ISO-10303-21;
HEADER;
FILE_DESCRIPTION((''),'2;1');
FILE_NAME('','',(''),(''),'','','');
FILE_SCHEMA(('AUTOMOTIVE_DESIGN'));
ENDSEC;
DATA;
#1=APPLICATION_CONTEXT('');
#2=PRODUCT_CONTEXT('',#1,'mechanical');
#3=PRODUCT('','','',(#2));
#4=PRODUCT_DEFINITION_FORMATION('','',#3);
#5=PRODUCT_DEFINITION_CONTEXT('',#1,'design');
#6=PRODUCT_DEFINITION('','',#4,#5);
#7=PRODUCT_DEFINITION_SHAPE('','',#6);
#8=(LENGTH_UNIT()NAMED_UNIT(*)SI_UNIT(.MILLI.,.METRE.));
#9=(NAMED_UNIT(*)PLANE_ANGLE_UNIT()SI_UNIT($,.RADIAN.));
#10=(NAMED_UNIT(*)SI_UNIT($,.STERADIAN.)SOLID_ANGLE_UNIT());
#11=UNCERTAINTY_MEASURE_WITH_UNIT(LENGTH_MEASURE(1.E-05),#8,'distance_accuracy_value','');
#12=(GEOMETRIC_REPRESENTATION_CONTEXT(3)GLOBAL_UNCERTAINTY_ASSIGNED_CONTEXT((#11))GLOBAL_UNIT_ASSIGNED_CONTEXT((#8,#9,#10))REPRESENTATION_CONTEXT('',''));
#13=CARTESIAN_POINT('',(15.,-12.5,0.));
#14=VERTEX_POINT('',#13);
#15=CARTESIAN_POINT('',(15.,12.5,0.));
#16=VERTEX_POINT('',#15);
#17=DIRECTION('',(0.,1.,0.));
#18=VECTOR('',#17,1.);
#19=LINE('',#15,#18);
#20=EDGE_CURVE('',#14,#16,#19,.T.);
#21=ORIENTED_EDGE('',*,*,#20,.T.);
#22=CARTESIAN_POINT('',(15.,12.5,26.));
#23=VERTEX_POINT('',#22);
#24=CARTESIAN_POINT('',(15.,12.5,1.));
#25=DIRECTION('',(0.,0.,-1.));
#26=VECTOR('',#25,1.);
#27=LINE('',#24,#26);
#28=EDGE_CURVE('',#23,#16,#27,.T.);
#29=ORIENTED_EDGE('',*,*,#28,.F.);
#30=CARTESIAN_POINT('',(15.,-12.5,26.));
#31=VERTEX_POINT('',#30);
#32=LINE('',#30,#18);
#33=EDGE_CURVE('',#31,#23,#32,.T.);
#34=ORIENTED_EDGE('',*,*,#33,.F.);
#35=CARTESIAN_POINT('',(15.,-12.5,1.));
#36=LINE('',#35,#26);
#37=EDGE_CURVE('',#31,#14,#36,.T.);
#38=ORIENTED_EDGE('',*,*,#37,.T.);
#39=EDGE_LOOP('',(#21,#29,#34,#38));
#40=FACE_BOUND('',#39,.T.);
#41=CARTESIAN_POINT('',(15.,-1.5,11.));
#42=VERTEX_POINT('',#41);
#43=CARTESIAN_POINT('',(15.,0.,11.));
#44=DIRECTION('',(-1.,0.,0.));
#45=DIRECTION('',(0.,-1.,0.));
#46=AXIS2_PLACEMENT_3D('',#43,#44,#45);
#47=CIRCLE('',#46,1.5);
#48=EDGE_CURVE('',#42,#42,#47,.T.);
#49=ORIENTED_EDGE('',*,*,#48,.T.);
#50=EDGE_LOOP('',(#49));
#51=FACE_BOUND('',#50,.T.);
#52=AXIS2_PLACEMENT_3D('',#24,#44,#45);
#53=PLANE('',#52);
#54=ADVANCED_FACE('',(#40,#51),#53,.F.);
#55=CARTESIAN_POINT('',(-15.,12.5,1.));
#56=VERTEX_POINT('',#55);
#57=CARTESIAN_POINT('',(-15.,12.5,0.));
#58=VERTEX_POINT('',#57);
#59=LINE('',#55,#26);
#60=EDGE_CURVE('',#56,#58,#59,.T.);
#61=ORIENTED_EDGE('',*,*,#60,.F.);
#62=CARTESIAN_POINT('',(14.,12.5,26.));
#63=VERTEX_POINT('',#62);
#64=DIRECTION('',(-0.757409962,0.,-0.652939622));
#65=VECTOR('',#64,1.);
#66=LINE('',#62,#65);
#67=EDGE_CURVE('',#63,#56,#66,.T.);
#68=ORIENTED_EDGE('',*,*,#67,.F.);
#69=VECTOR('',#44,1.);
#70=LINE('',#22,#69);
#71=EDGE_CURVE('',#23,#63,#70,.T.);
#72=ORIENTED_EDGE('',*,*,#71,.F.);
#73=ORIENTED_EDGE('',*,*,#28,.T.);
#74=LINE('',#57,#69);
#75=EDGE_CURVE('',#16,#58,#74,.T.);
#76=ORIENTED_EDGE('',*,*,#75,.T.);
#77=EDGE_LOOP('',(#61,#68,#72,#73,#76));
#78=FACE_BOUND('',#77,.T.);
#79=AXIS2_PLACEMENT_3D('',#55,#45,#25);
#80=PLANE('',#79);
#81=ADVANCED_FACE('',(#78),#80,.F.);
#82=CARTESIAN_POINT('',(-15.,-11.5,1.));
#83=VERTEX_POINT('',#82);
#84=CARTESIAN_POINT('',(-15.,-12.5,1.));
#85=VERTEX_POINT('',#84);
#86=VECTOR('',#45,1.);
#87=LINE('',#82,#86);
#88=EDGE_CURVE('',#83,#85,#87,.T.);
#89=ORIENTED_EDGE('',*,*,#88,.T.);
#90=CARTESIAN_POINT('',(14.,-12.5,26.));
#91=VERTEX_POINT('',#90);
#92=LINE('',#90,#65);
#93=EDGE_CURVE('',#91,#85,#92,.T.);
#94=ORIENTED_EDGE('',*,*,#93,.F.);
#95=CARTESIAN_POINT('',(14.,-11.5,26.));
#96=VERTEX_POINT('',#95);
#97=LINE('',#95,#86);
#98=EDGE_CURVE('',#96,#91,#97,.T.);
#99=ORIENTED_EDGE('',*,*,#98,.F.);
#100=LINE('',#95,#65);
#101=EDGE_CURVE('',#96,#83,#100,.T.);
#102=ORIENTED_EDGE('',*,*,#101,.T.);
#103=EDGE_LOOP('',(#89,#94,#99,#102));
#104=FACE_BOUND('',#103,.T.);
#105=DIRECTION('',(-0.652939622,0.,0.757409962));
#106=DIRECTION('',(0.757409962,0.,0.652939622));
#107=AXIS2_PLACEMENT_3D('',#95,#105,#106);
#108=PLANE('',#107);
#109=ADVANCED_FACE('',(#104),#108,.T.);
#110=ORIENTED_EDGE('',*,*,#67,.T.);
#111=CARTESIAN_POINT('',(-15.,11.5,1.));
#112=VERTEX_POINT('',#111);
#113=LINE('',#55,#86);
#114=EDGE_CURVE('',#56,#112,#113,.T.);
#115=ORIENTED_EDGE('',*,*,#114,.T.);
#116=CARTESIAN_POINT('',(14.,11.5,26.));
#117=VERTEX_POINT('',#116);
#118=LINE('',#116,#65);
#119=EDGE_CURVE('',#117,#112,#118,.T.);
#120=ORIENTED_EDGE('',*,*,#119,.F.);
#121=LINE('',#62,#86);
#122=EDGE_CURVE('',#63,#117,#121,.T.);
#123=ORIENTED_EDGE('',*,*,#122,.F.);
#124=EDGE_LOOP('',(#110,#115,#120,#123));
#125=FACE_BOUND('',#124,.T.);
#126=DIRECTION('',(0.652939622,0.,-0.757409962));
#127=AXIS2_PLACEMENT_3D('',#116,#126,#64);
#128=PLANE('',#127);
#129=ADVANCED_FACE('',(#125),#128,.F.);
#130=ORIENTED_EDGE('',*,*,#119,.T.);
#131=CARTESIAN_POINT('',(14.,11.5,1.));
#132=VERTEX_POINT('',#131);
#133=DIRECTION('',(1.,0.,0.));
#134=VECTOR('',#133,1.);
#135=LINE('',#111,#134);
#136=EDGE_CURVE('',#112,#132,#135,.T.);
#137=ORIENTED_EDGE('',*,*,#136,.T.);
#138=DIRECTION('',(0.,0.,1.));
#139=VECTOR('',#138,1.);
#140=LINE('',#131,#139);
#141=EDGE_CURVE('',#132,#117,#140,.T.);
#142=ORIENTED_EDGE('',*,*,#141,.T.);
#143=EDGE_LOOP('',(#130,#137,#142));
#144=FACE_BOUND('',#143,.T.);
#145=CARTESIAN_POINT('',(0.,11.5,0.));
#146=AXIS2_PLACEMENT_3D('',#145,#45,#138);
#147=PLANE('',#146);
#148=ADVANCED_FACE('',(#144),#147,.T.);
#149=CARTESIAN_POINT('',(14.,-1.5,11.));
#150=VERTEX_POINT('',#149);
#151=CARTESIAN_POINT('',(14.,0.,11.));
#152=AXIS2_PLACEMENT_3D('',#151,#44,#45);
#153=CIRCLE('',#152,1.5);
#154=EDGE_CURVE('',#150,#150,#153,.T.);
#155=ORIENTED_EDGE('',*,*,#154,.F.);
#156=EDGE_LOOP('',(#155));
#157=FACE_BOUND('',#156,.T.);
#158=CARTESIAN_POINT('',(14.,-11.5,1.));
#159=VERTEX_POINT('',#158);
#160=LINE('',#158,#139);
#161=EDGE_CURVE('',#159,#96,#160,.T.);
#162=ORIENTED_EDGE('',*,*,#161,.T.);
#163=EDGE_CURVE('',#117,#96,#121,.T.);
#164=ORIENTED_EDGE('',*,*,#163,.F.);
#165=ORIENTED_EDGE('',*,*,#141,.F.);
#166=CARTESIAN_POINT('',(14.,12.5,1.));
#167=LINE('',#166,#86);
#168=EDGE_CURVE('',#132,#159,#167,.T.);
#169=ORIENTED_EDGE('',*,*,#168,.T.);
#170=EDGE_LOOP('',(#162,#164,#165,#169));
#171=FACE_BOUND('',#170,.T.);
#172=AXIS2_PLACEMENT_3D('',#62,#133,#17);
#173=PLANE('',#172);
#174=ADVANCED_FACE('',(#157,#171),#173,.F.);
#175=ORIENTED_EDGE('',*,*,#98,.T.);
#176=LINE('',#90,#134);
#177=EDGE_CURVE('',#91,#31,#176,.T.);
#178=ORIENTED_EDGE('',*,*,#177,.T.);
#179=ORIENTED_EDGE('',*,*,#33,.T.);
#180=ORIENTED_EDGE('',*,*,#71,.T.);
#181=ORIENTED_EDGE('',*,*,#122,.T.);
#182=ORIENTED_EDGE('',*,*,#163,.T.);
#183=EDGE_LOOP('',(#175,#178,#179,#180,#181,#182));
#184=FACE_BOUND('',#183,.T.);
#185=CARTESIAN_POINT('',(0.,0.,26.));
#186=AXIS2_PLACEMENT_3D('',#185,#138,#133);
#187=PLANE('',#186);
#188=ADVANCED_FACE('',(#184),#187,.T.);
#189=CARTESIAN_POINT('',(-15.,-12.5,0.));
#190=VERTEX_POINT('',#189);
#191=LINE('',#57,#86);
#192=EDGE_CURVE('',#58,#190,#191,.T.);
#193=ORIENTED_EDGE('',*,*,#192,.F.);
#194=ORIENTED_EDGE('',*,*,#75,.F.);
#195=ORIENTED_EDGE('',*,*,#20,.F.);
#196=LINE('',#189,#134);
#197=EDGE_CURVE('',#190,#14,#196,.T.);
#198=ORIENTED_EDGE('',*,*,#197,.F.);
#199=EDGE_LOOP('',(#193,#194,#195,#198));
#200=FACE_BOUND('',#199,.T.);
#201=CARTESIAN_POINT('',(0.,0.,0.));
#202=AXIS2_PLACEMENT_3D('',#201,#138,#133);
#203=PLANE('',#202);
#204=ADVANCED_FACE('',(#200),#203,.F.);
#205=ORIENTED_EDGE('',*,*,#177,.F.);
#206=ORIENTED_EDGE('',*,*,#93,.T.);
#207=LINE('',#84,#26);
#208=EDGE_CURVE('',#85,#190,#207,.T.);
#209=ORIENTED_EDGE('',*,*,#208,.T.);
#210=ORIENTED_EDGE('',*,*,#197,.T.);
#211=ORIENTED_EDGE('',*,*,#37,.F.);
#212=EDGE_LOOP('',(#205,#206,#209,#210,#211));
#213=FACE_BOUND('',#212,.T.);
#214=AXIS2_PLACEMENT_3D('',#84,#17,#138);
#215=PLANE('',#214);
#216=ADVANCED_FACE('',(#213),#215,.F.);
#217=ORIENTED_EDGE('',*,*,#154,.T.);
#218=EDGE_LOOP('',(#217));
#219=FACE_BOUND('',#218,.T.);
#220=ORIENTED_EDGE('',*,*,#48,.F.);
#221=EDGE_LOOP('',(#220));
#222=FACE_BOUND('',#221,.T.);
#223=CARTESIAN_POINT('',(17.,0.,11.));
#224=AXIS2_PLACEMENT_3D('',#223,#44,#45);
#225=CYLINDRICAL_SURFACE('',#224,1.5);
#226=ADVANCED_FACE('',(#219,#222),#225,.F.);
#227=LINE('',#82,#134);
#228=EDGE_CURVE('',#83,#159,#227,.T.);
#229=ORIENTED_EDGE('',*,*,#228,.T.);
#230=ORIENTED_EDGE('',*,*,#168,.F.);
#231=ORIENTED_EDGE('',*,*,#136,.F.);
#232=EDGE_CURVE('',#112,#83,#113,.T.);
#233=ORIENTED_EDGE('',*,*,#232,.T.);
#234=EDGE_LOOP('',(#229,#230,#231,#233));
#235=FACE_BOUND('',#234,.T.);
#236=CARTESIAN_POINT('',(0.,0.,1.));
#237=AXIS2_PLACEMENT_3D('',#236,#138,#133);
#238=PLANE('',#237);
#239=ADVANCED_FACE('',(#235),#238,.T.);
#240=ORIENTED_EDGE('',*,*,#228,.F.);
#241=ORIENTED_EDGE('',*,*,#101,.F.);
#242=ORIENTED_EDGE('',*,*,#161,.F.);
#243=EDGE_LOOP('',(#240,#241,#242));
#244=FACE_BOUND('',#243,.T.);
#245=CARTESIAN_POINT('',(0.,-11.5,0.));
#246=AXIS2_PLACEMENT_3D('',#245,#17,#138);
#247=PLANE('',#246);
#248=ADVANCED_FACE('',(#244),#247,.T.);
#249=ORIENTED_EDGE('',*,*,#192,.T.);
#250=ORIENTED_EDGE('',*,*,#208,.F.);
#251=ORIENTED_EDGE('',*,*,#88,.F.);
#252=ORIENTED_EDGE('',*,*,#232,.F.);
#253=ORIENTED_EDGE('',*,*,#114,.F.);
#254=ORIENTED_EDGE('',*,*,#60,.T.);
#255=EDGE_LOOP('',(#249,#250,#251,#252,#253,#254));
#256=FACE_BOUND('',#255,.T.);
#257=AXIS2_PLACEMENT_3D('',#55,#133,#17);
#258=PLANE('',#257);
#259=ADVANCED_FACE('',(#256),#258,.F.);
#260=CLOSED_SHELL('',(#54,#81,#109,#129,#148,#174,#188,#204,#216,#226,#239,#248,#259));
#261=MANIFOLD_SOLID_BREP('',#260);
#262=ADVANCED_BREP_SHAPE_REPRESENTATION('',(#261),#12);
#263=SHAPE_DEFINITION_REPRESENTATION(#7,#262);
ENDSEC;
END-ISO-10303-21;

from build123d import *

# Parameters (mm, degrees)
SKETCH1_W           = 30
SKETCH1_H           = 25
BOSS_EXTRUDE1_DEPTH = 1
SKETCH2_W           = 1
SKETCH2_H           = 25
BOSS_EXTRUDE2_DEPTH = 25
BOSS_EXTRUDE3_DEPTH = 1
SKETCH7_R           = 1.5
CUT_EXTRUDE1_DEPTH  = 3


with BuildPart() as part:
    # Sketch1 → Boss-Extrude1 (new body)
    with BuildSketch(Plane.XY):
        Rectangle(SKETCH1_W, SKETCH1_H)
    extrude(amount=BOSS_EXTRUDE1_DEPTH)

    # Sketch2 → Boss-Extrude2 (add)
    with BuildSketch(Plane.XY.offset(1)):
        with Locations((14.5, 0)):
            Rectangle(SKETCH2_W, SKETCH2_H)
    extrude(amount=BOSS_EXTRUDE2_DEPTH)

    # Sketch6 → Boss-Extrude3 (add)
    with BuildSketch(Plane.XZ.offset(12.5)):
        Polygon((14, 26), (-15, 1), (14, 1), align=None)
    boss_extrude3 = extrude(amount=-BOSS_EXTRUDE3_DEPTH)

    # Mirror2: Boss-Extrude3 across plane
    add(boss_extrude3.mirror(Plane.ZX))

    # Sketch7 → Cut-Extrude1 (cut)
    with BuildSketch(Plane.ZY.offset(-14)):
        with Locations(Location((11, 0, 0), (0, 0, 270))):
            Circle(SKETCH7_R)
    extrude(amount=-CUT_EXTRUDE1_DEPTH, mode=Mode.SUBTRACT)


solid = part.part
